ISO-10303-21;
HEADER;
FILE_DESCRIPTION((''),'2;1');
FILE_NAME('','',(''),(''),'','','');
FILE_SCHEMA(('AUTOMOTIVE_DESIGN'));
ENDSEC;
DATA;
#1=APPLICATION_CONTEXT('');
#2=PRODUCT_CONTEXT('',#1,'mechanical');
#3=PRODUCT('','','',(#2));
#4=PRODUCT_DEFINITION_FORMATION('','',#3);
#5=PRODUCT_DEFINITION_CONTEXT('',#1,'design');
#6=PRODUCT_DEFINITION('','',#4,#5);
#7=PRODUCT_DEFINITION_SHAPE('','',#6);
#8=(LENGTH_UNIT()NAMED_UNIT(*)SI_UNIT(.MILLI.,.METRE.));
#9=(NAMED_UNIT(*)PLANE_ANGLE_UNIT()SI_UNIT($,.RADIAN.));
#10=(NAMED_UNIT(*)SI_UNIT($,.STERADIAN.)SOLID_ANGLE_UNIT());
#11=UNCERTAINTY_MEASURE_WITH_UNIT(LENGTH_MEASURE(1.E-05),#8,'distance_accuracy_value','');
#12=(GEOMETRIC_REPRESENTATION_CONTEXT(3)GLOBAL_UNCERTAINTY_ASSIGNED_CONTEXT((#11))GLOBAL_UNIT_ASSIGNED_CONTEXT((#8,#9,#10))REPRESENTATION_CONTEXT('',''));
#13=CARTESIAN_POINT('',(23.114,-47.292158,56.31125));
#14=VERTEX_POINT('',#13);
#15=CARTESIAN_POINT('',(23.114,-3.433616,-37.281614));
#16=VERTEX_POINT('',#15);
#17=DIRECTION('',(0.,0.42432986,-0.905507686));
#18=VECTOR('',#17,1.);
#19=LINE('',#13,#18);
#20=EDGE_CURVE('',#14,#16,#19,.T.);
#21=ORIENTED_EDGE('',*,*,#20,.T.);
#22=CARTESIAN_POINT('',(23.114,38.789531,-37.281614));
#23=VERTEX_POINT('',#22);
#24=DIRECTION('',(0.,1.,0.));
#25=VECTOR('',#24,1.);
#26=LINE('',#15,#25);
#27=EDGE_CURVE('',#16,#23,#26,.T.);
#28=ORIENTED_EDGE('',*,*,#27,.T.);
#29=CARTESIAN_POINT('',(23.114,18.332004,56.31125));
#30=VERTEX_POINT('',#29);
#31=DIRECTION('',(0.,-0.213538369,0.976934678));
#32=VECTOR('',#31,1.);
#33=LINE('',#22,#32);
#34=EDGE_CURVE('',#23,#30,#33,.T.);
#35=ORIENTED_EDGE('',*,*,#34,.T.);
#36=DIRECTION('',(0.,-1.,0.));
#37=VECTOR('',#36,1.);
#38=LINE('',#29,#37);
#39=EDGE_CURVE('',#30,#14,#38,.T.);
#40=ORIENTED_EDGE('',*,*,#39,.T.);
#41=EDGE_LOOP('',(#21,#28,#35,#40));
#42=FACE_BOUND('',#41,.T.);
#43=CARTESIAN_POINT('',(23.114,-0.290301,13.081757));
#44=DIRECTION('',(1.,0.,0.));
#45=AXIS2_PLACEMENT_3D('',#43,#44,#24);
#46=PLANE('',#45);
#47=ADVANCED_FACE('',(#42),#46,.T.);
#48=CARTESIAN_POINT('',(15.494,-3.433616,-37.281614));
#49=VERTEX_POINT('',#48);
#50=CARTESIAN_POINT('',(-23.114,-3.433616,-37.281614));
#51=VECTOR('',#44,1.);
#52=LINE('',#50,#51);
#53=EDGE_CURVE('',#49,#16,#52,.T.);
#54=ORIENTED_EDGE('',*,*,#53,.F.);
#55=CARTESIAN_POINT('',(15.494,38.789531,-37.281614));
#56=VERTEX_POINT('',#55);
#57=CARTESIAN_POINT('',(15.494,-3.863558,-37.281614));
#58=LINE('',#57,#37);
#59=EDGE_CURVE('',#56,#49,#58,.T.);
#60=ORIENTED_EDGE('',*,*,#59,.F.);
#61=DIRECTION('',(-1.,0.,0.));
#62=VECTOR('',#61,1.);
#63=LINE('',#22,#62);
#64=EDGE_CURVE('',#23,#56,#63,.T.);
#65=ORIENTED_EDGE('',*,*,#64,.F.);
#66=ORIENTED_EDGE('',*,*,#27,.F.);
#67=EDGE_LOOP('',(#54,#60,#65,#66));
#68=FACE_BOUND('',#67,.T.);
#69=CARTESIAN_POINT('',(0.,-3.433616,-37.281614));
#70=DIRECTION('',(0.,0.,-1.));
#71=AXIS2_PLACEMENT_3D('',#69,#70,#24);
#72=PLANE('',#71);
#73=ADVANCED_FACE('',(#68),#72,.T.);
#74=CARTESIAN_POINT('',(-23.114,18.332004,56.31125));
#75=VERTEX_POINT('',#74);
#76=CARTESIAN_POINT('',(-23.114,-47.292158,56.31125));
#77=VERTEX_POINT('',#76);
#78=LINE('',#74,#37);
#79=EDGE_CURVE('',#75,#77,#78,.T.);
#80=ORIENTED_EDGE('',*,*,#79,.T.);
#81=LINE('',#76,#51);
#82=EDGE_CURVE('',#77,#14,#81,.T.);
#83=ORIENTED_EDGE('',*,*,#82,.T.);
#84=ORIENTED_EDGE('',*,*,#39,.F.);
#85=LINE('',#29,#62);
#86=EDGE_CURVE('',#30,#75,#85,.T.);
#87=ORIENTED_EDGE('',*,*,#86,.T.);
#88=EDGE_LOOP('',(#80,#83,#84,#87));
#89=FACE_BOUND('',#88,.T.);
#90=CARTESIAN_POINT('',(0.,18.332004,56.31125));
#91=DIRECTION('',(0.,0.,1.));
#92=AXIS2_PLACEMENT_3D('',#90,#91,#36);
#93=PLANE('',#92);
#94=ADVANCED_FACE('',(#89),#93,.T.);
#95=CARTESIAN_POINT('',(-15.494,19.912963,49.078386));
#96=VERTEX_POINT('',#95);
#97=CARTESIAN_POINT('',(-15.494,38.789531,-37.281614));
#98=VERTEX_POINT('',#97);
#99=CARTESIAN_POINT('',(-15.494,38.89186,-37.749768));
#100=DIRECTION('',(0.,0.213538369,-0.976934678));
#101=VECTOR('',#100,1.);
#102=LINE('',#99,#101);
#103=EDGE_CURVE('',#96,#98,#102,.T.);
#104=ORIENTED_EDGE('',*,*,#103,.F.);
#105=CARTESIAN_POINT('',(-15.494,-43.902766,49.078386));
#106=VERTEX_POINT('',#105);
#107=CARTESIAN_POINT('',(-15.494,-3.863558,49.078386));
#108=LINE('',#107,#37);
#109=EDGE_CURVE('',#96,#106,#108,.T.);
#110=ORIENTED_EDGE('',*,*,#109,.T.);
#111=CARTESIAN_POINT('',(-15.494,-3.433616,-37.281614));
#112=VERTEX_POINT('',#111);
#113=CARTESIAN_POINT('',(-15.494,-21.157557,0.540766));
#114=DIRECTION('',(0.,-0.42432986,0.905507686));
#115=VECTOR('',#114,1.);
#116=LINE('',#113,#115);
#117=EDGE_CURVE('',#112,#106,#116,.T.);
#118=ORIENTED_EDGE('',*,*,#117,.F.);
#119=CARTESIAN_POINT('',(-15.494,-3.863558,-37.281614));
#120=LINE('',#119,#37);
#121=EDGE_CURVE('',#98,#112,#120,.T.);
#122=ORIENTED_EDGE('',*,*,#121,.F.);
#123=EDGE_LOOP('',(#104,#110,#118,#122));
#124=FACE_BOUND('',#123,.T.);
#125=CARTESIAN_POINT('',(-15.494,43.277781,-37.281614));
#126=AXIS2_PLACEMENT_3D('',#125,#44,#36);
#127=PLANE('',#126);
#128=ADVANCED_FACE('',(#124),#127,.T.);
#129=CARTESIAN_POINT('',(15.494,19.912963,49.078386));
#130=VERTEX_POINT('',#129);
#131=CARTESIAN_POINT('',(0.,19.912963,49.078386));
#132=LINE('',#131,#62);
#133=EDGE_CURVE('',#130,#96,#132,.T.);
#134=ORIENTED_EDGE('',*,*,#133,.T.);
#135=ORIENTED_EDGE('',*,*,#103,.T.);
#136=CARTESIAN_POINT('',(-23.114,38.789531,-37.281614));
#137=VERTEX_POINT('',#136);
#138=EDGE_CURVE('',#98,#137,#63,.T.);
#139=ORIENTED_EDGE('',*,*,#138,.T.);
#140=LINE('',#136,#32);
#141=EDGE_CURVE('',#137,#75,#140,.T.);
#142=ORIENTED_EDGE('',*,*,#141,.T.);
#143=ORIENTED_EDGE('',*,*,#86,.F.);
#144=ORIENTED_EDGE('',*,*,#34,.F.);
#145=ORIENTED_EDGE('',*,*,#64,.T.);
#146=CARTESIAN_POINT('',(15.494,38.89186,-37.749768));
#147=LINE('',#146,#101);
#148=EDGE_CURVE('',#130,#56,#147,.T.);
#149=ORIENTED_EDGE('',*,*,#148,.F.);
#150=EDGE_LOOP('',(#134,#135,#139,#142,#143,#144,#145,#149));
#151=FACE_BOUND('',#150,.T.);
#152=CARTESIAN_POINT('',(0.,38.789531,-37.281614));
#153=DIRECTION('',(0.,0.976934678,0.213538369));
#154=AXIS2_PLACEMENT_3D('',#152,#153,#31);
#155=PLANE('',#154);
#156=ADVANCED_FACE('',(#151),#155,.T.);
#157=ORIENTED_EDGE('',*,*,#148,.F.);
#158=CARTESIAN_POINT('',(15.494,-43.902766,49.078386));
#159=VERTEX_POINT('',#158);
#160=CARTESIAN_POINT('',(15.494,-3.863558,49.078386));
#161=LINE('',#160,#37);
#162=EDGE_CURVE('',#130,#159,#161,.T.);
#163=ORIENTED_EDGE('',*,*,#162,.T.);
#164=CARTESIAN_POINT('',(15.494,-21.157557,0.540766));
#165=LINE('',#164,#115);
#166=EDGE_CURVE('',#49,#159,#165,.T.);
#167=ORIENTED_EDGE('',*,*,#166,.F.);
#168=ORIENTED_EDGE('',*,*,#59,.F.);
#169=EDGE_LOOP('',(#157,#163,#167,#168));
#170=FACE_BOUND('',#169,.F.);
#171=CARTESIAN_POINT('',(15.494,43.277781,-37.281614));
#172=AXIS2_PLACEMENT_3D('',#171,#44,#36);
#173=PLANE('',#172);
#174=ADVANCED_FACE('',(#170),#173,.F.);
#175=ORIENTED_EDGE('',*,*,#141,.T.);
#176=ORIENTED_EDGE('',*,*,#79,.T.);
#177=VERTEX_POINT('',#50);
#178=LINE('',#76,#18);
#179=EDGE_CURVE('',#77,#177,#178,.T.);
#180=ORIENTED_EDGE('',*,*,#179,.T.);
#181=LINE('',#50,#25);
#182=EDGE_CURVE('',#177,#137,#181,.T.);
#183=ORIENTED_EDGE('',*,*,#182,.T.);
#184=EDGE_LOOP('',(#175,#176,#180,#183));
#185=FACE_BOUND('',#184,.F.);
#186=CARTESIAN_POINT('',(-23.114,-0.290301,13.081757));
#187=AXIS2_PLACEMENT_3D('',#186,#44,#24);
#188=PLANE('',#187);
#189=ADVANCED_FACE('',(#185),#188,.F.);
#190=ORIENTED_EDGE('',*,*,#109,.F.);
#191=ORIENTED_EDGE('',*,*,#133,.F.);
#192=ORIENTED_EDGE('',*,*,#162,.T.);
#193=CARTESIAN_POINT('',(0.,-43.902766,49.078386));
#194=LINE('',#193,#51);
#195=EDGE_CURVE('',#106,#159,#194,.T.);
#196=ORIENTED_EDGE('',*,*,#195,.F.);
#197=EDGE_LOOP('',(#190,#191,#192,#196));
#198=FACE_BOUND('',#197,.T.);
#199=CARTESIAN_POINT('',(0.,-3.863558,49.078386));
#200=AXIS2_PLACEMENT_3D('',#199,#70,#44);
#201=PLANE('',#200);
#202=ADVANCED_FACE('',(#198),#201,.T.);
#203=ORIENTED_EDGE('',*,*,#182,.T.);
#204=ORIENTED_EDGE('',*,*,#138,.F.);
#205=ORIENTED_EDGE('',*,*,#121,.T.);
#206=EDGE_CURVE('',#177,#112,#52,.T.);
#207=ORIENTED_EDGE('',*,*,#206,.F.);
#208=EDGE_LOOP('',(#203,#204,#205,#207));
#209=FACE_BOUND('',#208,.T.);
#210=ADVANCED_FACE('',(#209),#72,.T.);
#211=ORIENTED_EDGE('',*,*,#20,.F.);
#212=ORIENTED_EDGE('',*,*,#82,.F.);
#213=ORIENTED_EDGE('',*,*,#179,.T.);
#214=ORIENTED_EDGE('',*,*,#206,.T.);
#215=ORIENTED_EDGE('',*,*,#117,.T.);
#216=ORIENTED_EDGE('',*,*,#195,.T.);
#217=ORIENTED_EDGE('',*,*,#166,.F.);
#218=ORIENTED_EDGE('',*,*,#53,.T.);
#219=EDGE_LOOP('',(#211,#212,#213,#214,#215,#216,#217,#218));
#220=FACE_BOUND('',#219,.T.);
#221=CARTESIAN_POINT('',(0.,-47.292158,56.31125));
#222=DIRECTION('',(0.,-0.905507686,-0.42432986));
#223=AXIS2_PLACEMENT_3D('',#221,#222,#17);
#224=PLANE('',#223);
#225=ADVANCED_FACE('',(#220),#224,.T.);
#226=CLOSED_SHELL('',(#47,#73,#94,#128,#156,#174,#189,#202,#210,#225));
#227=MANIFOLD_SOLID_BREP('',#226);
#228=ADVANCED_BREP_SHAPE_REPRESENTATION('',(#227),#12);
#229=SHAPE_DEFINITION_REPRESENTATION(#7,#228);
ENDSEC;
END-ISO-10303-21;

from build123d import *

# Parameters (mm, degrees)
F1_DEPTH = 23.114
F2_W     = 30.988
F2_H     = 94.282678
F3_DEPTH = 86.36


with BuildPart() as f1:
    # F0 (on Right) → F1 (new body, symmetric)
    with BuildSketch(Plane.YZ):
        Polygon((18.332004, 56.31125), (-47.292158, 56.31125), (-3.433616, -37.281614), (38.789531, -37.281614), align=None)
    extrude(amount=F1_DEPTH, both=True)

    # F2 (on face) → F3 (cut)
    with BuildSketch(Plane(origin=(0, 0, -37.281614), x_dir=(1, 0, 0), z_dir=(0, 0, -1))):
        with Locations((0, 3.863558)):
            Rectangle(F2_W, F2_H)
    extrude(amount=-F3_DEPTH, mode=Mode.SUBTRACT)


solid = f1.part
